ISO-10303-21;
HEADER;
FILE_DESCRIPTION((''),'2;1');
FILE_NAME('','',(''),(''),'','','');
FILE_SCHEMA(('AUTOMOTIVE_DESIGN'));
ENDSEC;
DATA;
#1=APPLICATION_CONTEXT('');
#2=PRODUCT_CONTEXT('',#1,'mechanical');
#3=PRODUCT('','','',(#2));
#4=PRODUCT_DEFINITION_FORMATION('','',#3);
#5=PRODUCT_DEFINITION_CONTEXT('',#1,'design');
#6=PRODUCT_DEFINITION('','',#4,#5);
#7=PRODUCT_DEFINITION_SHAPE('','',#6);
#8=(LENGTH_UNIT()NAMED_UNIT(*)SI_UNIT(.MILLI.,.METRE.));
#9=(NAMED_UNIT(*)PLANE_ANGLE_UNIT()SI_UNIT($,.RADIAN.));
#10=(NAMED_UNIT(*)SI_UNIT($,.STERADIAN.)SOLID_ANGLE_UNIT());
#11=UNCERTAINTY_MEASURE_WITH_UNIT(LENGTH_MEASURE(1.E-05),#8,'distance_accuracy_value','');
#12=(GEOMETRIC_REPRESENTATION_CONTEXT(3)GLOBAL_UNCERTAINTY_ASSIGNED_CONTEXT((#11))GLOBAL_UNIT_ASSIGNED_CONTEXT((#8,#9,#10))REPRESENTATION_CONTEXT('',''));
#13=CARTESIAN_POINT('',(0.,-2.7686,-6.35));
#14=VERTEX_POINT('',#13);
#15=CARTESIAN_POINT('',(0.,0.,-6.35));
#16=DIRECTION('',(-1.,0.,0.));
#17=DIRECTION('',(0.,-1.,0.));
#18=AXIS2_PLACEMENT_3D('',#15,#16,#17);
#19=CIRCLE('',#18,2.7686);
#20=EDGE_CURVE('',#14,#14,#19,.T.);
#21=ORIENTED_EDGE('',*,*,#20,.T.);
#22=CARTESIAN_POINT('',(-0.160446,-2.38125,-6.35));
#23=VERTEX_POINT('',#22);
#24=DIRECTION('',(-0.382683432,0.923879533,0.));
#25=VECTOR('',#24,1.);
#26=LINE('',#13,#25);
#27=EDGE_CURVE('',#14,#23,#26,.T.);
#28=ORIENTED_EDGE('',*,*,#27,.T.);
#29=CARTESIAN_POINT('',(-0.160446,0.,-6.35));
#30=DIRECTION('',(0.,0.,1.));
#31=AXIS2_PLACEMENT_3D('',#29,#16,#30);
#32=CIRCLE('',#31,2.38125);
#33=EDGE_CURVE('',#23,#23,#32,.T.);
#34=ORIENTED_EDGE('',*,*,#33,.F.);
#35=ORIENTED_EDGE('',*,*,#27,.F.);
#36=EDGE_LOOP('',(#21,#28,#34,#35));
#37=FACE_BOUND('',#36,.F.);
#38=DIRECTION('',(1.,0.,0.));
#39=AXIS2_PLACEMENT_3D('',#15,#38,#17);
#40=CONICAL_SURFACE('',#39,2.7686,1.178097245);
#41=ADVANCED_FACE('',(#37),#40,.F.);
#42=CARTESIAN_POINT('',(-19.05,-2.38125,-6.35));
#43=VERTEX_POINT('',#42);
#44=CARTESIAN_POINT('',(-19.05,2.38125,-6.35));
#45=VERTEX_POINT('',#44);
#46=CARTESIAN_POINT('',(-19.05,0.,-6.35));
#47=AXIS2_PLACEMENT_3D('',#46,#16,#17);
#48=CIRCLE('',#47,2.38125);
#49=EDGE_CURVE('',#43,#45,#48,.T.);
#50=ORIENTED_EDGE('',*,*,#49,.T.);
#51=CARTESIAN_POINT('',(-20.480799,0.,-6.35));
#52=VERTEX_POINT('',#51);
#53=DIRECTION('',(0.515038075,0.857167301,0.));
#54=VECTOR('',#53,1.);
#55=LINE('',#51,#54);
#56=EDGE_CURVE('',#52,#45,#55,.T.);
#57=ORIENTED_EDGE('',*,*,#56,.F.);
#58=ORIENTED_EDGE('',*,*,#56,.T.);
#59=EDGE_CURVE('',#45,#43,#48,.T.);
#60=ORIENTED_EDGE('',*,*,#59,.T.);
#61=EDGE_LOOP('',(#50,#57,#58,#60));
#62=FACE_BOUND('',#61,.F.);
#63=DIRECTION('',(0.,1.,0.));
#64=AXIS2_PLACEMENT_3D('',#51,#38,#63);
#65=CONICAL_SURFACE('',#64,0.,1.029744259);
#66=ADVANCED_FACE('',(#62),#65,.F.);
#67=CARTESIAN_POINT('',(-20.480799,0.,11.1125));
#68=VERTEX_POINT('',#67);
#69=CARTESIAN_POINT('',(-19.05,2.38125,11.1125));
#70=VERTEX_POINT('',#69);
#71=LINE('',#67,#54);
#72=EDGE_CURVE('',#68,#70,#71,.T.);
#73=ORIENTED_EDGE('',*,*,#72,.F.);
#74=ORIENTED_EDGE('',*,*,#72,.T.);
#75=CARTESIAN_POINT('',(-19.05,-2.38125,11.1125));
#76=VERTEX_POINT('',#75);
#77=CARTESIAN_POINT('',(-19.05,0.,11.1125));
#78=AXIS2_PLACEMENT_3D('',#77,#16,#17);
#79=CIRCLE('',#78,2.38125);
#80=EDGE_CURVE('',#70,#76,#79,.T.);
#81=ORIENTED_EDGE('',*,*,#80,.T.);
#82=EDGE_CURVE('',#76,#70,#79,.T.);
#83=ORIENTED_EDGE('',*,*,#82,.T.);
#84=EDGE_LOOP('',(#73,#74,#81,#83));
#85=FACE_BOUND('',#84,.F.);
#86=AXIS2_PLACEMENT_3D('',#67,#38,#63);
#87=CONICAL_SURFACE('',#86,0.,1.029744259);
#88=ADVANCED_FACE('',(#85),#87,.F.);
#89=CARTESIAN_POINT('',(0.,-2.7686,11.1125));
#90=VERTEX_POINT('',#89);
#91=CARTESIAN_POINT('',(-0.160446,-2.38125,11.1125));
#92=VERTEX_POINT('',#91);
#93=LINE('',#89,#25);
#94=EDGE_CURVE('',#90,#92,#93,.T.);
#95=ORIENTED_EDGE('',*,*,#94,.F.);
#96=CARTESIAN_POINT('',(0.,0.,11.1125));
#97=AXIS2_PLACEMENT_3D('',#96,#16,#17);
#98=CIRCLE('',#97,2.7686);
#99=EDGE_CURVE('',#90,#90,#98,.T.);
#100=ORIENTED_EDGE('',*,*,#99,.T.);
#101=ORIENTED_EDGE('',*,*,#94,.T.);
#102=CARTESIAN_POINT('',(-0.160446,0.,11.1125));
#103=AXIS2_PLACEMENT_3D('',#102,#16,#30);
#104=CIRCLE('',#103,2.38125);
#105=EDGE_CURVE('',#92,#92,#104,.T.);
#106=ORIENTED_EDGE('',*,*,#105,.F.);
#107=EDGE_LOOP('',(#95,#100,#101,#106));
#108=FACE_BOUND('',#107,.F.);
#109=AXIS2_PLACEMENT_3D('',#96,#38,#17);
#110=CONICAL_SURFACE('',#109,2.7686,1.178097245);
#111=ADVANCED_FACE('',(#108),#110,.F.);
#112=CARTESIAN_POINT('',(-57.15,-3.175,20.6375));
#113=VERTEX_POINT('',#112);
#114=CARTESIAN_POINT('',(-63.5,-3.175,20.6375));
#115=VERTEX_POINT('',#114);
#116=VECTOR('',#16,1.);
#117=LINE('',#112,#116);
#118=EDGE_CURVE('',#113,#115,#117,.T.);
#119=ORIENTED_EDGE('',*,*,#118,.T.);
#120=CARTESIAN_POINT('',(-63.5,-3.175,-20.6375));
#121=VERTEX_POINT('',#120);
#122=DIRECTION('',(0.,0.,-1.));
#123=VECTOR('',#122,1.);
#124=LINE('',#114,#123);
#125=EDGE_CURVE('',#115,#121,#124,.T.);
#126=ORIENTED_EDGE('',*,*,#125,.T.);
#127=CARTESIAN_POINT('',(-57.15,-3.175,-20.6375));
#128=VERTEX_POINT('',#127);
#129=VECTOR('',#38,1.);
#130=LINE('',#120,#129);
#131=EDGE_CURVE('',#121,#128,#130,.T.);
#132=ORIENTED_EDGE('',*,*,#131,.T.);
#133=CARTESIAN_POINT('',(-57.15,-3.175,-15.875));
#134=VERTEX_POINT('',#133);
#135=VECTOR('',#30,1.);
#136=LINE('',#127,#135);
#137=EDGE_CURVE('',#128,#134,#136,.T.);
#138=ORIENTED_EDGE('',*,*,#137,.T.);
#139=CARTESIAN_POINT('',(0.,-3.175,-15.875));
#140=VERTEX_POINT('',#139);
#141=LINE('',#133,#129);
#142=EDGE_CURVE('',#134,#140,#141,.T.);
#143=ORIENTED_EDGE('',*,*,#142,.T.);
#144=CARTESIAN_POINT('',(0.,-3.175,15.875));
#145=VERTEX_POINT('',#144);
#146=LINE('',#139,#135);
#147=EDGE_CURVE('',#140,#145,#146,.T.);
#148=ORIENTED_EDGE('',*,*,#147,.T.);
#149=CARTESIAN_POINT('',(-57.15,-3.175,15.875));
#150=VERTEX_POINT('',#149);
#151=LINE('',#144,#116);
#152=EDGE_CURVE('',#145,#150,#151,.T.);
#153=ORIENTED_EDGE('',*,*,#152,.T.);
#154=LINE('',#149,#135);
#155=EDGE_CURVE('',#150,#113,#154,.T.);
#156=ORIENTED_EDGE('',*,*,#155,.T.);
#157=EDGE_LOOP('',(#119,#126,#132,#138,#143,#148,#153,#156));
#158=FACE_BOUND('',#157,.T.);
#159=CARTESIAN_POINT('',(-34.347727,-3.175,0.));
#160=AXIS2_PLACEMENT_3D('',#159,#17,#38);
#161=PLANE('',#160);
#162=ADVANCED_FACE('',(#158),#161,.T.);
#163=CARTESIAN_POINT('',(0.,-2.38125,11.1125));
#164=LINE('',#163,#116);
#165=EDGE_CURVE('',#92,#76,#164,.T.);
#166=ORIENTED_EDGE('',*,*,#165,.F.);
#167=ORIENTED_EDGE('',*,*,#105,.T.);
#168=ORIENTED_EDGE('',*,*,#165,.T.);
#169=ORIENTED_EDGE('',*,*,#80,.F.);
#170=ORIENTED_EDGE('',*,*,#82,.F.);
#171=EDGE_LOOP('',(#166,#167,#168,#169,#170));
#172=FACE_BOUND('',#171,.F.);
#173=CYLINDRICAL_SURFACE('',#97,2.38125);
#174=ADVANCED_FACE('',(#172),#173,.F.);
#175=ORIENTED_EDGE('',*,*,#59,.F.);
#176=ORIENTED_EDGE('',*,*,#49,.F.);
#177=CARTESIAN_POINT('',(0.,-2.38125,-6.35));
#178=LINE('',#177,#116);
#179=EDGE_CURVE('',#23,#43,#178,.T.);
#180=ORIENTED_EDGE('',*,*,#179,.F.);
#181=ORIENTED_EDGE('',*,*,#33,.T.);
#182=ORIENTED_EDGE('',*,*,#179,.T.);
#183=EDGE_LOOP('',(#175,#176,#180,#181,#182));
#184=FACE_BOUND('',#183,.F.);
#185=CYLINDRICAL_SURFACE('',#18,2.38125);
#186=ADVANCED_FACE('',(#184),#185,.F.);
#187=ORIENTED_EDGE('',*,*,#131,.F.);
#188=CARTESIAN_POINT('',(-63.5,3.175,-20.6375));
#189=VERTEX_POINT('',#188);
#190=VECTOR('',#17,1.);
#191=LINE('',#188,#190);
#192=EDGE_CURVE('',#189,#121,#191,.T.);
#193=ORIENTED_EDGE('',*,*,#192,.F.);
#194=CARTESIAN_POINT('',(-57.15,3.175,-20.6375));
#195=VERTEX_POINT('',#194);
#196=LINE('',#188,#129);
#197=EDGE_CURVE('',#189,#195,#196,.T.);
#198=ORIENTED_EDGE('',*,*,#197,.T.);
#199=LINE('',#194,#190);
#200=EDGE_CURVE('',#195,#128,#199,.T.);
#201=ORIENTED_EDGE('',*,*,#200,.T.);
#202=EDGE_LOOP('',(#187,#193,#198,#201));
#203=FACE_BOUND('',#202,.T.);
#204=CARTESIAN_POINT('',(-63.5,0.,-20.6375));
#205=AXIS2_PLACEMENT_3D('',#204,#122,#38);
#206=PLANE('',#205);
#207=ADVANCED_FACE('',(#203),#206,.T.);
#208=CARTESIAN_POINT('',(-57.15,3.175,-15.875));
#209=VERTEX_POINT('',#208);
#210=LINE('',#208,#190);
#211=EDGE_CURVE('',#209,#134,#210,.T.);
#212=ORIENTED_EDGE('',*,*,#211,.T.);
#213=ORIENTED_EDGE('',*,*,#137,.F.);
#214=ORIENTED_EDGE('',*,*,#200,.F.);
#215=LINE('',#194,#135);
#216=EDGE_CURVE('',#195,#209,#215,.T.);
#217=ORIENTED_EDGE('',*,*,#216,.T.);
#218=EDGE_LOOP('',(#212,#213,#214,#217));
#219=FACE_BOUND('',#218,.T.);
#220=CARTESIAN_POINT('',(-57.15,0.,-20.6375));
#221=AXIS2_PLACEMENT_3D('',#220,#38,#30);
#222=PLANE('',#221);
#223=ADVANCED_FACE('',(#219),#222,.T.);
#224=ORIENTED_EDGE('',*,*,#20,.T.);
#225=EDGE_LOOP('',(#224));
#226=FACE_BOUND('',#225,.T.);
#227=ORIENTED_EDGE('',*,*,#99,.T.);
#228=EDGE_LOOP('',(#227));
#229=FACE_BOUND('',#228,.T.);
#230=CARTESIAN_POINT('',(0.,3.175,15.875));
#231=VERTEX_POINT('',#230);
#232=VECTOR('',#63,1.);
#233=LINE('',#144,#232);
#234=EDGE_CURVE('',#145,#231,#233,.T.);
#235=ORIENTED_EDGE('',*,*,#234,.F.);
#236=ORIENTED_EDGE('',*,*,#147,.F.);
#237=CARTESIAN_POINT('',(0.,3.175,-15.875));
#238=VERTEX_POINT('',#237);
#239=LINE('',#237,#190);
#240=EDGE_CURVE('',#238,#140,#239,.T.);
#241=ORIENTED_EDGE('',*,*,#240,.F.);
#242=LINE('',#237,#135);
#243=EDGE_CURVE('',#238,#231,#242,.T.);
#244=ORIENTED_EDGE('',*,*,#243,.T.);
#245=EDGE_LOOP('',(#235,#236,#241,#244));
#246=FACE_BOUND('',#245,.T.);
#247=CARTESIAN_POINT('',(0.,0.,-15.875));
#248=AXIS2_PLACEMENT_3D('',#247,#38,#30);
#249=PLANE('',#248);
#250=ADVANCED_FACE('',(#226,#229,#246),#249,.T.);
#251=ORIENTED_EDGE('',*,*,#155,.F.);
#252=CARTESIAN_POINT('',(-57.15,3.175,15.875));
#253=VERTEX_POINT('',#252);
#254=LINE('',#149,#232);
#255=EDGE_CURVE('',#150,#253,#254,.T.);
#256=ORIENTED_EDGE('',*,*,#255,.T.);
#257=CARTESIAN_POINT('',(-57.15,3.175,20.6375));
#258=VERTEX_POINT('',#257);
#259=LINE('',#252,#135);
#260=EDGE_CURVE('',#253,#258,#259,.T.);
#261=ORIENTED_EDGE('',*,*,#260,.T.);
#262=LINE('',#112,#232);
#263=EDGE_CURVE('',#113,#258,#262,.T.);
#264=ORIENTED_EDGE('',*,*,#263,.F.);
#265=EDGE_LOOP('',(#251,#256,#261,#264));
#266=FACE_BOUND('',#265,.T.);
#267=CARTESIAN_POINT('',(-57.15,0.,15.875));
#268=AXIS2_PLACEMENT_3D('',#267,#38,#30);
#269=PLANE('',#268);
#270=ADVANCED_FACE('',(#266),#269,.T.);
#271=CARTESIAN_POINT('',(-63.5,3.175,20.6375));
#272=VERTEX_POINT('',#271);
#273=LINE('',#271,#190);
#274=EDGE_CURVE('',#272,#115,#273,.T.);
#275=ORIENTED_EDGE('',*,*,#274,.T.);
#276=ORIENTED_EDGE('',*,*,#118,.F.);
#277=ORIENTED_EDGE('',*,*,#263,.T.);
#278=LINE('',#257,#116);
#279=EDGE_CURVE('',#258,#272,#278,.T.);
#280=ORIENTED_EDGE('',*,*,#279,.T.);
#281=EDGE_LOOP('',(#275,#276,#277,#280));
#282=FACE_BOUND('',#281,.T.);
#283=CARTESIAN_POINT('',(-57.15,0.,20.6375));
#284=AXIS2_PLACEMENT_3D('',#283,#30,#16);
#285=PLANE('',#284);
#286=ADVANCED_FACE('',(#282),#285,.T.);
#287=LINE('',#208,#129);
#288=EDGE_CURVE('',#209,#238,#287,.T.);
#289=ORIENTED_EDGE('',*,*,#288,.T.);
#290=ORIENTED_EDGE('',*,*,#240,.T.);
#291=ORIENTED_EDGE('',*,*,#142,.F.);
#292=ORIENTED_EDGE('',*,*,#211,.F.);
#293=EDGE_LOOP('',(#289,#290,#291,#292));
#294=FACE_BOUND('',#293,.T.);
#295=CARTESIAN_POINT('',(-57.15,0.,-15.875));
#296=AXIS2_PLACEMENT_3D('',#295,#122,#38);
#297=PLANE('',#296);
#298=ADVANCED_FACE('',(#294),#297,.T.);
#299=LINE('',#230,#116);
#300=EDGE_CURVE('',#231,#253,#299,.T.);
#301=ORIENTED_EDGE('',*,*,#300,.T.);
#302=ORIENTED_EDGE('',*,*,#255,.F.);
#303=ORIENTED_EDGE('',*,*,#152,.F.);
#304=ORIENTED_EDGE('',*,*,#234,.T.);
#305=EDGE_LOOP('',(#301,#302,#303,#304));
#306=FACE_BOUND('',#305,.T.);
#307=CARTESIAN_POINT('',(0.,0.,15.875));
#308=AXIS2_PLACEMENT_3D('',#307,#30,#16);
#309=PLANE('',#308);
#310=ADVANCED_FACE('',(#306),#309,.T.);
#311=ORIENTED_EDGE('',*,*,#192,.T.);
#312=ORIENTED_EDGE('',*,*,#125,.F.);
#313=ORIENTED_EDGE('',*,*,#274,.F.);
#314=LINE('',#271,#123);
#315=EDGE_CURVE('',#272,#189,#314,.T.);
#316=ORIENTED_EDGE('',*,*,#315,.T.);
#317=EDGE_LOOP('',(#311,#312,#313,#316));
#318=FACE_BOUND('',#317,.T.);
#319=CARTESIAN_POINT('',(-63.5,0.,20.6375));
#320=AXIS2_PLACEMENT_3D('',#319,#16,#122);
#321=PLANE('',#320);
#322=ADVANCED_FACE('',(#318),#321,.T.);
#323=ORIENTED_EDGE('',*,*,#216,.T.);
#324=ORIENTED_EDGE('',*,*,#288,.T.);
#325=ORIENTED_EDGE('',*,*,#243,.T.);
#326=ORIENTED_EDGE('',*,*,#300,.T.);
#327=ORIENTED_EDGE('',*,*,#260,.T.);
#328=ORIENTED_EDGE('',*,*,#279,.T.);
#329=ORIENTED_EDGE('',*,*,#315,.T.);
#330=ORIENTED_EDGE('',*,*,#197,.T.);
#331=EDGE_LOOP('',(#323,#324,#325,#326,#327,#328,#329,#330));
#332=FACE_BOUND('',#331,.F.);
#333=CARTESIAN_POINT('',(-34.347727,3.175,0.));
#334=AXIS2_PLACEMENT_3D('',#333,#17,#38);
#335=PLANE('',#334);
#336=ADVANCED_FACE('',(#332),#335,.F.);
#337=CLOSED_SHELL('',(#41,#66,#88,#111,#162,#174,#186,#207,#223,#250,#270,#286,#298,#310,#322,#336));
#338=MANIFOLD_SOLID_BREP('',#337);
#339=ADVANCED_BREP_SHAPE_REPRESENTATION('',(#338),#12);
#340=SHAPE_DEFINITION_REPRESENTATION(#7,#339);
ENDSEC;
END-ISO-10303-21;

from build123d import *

# Parameters (mm, degrees)
F1_DEPTH       = 3.175
F3_D           = 4.7625
F3_DEPTH       = 19.05
F3_CSINK_D     = 5.5372
F3_CSINK_ANGLE = 135
F3_TIP         = 1.4307993491


with BuildPart() as f1:
    # F0 (on Front) → F1 (new body, symmetric)
    with BuildSketch(Plane.XZ):
        Polygon((-57.15, 20.6375), (-63.5, 20.6375), (-63.5, -20.6375), (-57.15, -20.6375), (-57.15, -15.875), (0, -15.875), (0, 15.875), (-57.15, 15.875), align=None)
    extrude(amount=F1_DEPTH, both=True)

    # F3
    with Locations(Plane.YZ):
        with Locations((0, 11.1125), (0, -6.35)):
            CounterSinkHole(F3_D / 2, F3_CSINK_D / 2, depth=F3_DEPTH, counter_sink_angle=F3_CSINK_ANGLE)
            with Locations((0, 0, -(F3_DEPTH + F3_TIP / 2))):  # 118° drill point
                Cone(0, F3_D / 2, F3_TIP, mode=Mode.SUBTRACT)


solid = f1.part
